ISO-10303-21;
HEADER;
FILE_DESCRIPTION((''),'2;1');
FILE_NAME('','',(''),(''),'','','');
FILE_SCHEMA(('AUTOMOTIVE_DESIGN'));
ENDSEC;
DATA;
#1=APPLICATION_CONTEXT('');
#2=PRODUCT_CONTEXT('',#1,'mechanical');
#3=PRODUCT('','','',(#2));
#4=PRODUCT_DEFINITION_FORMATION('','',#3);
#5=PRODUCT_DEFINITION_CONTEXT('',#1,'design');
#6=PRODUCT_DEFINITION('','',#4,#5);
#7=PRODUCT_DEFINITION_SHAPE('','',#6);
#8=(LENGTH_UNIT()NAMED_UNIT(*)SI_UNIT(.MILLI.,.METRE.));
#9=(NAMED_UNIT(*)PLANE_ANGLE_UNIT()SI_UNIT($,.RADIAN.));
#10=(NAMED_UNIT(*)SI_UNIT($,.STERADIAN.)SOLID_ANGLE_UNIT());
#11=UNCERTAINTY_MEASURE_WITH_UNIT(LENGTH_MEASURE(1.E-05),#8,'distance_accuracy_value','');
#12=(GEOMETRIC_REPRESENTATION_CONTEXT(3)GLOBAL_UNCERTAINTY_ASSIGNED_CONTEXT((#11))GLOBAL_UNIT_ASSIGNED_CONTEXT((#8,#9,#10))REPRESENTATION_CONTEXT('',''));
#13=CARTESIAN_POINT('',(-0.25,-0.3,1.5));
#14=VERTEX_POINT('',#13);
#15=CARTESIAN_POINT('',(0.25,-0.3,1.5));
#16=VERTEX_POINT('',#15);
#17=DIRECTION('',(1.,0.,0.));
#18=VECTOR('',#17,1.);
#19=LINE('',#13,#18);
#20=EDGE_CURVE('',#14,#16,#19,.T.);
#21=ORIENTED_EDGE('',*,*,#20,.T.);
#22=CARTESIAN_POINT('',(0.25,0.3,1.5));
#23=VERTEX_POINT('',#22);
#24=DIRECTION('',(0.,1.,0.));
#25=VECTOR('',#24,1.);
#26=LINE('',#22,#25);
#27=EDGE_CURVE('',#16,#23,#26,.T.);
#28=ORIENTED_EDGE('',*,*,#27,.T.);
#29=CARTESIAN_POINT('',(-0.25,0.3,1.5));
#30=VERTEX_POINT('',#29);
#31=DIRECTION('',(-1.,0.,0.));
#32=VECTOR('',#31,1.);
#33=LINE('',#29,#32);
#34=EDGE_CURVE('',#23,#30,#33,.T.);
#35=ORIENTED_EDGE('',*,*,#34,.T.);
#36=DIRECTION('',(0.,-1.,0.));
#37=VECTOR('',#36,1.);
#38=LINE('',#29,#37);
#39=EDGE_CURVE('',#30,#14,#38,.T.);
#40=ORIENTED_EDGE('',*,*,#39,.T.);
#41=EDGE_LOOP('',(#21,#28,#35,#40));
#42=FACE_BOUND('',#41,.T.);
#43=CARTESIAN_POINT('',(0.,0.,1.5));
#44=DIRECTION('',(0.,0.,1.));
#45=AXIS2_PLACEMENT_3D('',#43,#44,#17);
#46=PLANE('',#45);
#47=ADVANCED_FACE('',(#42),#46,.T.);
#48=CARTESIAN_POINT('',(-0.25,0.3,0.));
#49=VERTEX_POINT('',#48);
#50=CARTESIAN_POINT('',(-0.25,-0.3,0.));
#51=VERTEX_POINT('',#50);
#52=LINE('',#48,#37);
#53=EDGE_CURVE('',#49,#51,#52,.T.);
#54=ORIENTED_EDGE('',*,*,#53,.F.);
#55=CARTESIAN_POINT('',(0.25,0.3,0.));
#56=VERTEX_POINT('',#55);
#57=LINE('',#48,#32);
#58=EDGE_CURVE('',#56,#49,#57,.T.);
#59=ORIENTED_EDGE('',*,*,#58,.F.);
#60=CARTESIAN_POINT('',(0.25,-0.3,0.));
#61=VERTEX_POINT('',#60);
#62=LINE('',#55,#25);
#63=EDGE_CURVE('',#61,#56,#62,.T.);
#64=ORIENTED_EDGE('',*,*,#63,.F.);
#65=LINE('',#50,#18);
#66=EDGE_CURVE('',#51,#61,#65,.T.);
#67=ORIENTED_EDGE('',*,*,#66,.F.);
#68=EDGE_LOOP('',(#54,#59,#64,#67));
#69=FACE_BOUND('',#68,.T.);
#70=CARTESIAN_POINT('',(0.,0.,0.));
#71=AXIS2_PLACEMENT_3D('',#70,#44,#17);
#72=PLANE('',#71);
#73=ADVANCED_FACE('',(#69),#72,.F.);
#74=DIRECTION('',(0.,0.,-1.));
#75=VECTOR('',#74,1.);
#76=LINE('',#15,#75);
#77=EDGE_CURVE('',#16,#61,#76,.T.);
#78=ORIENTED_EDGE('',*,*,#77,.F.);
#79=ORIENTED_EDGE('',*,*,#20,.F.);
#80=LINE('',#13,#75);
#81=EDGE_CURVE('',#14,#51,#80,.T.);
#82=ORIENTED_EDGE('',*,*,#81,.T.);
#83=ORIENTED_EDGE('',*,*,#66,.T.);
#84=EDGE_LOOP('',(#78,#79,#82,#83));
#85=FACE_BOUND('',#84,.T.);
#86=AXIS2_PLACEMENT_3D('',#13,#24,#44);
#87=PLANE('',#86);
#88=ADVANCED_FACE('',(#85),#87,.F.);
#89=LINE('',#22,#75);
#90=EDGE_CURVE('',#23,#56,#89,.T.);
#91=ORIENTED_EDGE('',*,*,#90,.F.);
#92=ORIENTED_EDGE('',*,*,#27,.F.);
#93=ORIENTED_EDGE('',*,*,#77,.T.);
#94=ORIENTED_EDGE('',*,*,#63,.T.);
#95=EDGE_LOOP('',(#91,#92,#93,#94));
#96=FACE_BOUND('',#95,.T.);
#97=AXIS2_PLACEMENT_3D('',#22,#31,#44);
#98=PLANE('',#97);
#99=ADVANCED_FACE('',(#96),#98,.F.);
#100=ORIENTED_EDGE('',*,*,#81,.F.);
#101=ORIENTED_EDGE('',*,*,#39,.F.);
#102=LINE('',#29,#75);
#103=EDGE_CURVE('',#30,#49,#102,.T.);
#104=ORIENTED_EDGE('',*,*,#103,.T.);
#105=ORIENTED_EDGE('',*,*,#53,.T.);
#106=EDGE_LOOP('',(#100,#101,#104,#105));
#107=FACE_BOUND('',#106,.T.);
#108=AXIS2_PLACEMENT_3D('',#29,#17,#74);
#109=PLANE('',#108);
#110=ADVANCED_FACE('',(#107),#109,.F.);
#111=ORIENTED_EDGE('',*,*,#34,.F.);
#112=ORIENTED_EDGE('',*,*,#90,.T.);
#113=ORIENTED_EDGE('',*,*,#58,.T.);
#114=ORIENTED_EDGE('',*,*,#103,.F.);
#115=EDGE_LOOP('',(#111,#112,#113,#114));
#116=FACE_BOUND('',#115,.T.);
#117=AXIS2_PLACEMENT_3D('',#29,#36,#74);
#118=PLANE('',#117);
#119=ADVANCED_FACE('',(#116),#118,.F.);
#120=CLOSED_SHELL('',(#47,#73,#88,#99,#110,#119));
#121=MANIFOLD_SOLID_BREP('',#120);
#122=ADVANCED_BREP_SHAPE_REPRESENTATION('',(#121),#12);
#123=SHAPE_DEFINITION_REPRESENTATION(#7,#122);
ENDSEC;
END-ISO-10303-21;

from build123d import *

# Parameters (mm, degrees)
SKETCH_1_W      = 0.5
SKETCH_1_H      = 0.6
EXTRUDE_1_DEPTH = 1.5


with BuildPart() as part:
    # 草图1 → 凸台-拉伸1 (new body)
    with BuildSketch(Plane.XY):
        Rectangle(SKETCH_1_W, SKETCH_1_H)
    extrude(amount=EXTRUDE_1_DEPTH)


solid = part.part
